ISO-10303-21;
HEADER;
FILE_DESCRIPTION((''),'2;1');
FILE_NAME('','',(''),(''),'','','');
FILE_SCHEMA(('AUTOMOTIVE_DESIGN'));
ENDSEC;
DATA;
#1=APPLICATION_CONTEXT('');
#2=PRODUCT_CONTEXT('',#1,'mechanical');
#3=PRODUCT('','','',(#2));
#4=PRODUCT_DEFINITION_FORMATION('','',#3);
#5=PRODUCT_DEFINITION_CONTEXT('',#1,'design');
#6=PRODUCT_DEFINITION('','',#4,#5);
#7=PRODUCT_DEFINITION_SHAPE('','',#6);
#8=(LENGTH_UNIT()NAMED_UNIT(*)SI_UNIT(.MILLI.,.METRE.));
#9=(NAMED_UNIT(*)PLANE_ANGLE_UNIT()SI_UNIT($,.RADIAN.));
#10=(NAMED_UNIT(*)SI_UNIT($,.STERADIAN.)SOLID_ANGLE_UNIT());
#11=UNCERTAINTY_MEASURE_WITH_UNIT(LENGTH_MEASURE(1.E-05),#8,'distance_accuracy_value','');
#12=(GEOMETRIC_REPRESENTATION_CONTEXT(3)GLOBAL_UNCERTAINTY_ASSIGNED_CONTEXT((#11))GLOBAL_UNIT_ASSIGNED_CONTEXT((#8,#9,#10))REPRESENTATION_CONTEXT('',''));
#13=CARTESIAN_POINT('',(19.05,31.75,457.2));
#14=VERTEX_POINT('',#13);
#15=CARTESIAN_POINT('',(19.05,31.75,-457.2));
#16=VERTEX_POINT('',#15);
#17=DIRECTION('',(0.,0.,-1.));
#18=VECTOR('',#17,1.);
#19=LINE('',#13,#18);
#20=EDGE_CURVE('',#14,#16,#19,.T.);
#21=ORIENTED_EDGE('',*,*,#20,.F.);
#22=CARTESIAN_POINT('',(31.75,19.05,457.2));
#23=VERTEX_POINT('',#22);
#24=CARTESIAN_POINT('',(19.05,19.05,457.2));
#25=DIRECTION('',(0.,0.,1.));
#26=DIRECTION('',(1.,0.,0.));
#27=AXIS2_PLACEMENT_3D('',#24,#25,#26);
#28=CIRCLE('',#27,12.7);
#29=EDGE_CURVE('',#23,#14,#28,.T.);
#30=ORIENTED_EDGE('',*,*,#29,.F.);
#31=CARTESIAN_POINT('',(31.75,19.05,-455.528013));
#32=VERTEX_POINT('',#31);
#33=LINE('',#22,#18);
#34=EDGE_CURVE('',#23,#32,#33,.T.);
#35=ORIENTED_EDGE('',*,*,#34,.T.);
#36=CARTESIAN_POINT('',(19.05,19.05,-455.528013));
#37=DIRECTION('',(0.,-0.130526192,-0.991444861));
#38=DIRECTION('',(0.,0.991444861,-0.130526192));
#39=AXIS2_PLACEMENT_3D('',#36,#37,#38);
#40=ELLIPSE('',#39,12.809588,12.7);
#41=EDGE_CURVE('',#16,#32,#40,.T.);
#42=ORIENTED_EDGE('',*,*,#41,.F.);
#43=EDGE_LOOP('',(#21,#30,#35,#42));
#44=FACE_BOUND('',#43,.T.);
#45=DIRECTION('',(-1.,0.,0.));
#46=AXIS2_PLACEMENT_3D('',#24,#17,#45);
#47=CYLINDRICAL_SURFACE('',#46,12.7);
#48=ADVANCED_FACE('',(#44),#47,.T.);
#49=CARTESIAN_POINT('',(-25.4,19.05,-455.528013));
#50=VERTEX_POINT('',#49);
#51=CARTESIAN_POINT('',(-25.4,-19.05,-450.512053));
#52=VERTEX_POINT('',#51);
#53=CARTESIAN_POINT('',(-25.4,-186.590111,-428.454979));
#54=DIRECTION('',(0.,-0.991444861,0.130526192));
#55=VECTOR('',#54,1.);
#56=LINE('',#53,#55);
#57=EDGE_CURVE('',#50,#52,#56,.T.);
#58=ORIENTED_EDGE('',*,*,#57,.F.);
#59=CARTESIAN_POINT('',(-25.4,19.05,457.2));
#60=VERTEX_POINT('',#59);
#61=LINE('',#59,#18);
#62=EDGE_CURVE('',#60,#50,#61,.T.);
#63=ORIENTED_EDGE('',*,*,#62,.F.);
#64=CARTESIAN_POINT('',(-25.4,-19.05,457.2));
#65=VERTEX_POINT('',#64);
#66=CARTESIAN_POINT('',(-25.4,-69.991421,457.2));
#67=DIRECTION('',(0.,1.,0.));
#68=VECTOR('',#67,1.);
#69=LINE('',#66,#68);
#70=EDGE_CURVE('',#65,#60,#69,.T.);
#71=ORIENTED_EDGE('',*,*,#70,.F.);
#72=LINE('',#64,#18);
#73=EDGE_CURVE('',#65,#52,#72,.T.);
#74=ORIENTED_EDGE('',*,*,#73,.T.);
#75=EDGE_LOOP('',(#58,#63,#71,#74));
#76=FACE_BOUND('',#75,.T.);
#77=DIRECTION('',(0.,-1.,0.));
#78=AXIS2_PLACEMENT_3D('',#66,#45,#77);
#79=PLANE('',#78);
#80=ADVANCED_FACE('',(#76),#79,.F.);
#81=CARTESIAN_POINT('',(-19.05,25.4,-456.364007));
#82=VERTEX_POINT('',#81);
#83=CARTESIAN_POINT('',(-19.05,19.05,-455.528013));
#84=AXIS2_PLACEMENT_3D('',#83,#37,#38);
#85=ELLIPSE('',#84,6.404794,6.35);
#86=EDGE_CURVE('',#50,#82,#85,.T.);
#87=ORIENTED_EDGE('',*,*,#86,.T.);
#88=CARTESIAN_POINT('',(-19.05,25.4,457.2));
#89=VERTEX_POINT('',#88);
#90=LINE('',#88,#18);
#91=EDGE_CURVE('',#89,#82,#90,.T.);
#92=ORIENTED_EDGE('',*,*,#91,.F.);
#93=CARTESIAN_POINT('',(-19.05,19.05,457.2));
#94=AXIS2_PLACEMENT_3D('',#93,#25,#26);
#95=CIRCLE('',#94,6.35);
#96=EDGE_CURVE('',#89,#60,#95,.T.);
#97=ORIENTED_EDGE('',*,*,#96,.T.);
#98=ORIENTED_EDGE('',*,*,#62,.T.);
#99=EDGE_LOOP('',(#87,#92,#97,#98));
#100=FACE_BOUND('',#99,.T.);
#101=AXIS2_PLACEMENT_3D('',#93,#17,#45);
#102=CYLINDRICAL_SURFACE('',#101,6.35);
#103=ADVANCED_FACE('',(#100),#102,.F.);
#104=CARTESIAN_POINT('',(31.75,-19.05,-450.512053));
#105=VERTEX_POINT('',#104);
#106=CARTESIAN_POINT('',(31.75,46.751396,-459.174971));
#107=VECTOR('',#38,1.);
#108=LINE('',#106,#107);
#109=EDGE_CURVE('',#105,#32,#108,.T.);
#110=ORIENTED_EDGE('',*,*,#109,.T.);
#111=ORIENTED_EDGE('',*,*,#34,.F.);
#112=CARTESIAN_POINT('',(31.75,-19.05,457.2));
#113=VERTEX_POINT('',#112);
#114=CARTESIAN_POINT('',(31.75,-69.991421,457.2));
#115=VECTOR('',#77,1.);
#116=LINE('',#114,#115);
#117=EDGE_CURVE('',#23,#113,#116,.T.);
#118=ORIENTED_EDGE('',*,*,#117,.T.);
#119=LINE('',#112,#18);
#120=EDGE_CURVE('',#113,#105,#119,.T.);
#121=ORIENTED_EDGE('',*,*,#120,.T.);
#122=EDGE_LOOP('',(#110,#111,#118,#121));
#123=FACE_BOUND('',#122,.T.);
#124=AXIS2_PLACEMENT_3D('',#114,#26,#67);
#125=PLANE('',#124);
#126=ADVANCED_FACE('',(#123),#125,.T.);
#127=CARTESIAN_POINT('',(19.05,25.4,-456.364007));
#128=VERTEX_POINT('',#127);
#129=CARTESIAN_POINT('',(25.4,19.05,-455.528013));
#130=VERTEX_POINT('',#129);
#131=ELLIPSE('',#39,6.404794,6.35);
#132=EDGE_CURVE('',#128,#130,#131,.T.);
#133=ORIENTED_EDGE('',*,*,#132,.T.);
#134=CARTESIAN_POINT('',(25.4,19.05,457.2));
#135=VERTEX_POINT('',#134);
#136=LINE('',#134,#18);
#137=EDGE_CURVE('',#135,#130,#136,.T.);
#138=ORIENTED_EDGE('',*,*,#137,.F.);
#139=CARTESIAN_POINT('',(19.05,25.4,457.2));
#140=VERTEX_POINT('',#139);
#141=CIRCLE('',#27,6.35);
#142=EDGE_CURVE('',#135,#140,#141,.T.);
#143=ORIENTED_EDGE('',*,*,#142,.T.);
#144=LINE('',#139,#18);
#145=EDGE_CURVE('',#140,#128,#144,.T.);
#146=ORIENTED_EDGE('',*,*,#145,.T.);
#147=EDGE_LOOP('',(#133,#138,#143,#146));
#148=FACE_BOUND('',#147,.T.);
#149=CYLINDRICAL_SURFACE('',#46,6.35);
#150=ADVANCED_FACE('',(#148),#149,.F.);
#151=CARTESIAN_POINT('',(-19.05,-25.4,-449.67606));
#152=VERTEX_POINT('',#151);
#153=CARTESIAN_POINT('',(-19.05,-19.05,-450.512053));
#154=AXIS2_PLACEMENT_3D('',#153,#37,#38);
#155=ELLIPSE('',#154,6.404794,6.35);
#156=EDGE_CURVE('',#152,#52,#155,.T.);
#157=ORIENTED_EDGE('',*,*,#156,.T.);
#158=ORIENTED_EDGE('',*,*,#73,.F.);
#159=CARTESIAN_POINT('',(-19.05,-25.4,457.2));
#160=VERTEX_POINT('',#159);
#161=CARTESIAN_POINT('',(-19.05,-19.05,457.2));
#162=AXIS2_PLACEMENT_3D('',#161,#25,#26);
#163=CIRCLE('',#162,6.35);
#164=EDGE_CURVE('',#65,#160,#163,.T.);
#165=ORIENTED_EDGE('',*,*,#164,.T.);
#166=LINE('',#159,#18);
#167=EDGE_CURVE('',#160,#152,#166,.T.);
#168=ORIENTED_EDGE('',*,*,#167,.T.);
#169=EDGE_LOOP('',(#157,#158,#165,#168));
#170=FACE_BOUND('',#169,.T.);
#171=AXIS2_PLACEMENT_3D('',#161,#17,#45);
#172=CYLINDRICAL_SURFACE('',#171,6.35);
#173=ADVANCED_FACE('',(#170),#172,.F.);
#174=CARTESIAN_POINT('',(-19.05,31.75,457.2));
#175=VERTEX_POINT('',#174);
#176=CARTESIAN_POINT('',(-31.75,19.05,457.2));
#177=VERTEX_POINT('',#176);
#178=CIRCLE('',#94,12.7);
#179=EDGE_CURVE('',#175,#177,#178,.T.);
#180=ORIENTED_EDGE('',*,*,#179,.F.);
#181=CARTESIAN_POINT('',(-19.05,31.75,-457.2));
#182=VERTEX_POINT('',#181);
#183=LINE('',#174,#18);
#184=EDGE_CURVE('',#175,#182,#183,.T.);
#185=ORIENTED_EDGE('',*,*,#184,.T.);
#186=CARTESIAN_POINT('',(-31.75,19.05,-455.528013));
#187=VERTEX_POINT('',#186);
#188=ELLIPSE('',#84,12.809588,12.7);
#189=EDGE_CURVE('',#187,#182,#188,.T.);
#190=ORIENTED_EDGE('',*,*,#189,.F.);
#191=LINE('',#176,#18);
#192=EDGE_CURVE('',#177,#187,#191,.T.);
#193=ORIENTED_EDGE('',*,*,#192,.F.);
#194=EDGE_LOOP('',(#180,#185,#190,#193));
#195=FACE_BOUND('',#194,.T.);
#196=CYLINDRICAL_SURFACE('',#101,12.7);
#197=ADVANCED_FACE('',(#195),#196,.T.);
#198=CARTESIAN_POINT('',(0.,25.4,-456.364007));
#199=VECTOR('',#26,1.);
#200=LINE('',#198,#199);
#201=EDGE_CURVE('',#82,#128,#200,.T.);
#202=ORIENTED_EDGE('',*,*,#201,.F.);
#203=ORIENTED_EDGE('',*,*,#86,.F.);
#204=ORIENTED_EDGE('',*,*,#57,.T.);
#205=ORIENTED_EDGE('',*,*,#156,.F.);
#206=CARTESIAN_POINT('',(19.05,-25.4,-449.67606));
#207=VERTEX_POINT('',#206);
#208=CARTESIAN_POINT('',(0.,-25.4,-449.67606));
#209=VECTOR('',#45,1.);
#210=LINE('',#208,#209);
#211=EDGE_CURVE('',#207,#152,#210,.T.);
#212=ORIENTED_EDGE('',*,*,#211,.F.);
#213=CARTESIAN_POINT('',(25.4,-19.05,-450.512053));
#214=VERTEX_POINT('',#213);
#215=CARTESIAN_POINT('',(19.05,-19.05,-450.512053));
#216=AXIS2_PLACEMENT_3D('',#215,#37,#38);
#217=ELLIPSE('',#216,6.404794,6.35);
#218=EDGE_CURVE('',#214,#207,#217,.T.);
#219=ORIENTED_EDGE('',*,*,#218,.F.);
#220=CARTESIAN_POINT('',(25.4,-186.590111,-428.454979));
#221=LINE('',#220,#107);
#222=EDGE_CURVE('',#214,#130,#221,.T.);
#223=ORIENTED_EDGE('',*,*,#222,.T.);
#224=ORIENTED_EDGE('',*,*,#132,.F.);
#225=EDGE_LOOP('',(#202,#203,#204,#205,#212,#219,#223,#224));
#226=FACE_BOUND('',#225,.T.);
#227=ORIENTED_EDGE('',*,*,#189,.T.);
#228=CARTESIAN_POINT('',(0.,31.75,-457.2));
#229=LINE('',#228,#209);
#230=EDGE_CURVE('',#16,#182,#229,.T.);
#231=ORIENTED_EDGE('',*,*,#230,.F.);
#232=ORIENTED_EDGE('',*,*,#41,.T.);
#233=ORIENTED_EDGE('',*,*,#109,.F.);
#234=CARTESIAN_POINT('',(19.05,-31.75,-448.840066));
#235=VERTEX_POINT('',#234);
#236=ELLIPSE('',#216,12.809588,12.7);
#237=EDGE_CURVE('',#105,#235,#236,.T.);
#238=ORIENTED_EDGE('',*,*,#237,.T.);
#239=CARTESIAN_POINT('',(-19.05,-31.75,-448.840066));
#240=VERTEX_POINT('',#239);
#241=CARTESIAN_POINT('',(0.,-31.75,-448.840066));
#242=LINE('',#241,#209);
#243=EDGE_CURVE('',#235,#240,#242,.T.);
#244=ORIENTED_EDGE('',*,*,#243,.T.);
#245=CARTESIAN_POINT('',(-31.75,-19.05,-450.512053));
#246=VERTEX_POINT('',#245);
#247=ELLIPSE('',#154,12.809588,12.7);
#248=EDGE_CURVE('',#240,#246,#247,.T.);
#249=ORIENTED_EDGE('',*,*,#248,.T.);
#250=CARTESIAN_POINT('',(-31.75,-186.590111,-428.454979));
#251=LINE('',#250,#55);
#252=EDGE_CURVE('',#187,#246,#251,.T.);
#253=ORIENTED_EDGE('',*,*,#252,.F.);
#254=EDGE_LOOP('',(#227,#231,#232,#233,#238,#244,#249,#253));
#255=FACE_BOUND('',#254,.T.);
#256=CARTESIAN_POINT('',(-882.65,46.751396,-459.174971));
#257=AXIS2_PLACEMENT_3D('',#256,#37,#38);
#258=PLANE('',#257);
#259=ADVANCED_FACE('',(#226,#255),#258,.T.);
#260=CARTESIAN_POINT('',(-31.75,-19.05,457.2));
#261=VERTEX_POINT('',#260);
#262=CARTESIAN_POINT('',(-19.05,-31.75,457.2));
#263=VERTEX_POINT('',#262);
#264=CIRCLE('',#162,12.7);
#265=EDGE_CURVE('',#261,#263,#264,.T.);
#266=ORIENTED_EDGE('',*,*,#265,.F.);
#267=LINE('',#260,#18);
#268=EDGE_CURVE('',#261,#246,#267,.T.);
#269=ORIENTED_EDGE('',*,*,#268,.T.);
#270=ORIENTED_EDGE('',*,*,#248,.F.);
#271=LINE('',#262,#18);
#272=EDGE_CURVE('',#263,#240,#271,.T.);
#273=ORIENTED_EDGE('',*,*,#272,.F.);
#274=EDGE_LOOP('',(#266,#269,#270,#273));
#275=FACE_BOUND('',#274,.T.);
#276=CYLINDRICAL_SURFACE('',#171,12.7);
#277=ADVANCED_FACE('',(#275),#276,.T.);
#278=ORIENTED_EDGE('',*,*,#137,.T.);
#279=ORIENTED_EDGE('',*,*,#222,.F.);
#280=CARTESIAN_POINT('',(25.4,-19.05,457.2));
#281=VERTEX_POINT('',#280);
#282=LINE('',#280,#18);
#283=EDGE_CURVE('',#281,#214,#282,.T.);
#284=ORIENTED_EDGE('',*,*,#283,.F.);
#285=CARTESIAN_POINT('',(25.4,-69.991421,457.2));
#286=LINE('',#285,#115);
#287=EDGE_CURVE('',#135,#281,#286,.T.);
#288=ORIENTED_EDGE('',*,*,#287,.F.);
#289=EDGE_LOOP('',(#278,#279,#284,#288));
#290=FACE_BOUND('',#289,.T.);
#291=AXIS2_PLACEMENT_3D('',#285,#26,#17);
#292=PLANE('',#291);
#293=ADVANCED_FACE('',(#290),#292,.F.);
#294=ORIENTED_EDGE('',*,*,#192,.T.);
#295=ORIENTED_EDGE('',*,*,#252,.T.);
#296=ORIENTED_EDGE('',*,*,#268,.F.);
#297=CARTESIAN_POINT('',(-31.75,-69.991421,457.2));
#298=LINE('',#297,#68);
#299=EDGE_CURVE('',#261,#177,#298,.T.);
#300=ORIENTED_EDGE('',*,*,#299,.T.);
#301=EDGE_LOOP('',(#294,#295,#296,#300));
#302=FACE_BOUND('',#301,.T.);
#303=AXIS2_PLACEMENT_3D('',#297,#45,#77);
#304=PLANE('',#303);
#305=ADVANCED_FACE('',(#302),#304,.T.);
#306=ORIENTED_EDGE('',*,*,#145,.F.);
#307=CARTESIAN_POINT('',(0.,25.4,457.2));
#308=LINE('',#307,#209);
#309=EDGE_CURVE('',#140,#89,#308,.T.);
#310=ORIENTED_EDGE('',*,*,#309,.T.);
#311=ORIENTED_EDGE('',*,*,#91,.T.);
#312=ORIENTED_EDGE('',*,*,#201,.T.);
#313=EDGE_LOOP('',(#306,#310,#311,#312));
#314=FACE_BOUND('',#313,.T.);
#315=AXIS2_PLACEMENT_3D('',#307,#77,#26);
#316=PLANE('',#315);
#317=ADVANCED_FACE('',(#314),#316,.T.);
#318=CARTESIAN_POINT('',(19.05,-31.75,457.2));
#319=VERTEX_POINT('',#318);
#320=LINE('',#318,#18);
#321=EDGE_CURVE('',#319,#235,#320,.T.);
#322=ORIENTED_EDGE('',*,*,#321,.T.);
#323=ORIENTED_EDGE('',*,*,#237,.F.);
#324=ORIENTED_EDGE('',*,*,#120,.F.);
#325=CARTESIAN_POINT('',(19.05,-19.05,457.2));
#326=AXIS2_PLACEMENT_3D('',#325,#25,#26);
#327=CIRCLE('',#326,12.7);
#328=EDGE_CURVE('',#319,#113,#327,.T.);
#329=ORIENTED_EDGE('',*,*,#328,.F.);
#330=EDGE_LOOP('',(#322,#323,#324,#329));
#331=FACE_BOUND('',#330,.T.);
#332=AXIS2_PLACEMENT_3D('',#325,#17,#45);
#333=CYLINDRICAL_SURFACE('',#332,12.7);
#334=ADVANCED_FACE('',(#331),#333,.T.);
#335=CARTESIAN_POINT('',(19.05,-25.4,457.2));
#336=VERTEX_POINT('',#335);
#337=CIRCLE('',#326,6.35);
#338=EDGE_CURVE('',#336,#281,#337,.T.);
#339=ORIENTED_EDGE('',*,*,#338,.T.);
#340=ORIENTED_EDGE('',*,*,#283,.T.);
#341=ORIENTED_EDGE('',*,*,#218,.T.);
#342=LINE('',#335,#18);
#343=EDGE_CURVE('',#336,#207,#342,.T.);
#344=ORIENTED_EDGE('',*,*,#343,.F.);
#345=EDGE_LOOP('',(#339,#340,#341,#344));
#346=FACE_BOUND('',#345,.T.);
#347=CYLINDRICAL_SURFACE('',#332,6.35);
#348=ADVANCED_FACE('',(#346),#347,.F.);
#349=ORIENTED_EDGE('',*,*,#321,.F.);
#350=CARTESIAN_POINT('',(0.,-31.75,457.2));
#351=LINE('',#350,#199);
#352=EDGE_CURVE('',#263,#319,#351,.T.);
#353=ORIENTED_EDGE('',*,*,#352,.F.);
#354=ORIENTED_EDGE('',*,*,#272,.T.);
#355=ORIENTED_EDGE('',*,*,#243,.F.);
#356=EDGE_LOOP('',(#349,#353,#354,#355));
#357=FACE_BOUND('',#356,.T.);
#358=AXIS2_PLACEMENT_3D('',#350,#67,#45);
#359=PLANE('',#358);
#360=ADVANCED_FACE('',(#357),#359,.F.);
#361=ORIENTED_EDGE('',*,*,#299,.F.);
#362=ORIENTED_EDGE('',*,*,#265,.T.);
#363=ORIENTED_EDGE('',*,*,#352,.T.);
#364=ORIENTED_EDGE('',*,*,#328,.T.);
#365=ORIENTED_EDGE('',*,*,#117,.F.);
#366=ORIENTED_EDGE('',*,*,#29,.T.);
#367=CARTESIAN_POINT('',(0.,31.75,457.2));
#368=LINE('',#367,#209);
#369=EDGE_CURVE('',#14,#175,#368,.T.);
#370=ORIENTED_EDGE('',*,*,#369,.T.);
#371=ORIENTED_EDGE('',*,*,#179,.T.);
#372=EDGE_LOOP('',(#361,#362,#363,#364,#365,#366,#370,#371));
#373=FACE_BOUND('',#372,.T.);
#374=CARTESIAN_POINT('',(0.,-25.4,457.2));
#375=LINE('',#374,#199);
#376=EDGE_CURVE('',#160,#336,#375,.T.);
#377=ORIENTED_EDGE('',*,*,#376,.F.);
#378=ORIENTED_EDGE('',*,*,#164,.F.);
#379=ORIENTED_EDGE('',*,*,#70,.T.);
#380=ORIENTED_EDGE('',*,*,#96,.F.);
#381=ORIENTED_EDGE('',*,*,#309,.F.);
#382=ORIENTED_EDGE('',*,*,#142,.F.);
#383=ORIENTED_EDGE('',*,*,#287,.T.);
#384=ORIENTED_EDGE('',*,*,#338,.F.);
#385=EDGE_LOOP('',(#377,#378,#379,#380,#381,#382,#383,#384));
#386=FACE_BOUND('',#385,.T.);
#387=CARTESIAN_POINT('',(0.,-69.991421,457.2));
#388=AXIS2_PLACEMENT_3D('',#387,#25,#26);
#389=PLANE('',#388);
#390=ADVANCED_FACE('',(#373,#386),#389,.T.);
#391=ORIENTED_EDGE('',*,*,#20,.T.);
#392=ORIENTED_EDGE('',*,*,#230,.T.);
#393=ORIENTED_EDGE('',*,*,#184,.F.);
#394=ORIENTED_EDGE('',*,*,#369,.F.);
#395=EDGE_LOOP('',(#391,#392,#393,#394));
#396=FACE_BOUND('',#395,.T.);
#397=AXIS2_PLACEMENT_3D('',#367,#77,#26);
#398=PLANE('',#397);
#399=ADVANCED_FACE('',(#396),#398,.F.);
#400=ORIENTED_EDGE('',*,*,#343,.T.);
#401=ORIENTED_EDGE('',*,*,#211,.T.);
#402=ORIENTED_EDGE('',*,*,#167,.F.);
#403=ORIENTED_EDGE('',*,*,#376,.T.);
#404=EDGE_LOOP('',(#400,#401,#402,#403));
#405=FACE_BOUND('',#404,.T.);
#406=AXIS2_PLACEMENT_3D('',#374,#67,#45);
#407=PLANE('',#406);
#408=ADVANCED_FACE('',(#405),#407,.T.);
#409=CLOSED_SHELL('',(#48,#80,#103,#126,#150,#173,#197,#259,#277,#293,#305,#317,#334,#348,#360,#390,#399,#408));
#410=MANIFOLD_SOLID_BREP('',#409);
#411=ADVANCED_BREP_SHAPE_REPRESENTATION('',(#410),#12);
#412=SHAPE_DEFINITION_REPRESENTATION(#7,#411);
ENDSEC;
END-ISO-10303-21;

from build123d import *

# Parameters (mm, degrees)
BOSS_EXTRUDE1_DEPTH = 457.2
CUT_EXTRUDE1_DEPTH  = 914.4


with BuildPart() as part:
    # Sketch1 → Boss-Extrude1 (new body, symmetric)
    with BuildSketch(Plane.XY):
        with BuildLine():
            Line((19.05, 31.75), (-19.05, 31.75))
            ThreePointArc((-19.05, 31.75), (-28.030256121, 28.030256121), (-31.75, 19.05))
            Line((-31.75, 19.05), (-31.75, -19.05))
            ThreePointArc((-31.75, -19.05), (-28.030256121, -28.030256121), (-19.05, -31.75))
            Line((-19.05, -31.75), (19.05, -31.75))
            ThreePointArc((19.05, -31.75), (28.030256121, -28.030256121), (31.75, -19.05))
            Line((31.75, -19.05), (31.75, 19.05))
            ThreePointArc((31.75, 19.05), (28.030256121, 28.030256121), (19.05, 31.75))
        make_face()
        with BuildLine():
            ThreePointArc((-25.4, -19.05), (-23.540128061, -23.540128061), (-19.05, -25.4))
            Line((-19.05, -25.4), (19.05, -25.4))
            ThreePointArc((19.05, -25.4), (23.540128061, -23.540128061), (25.4, -19.05))
            Line((25.4, -19.05), (25.4, 19.05))
            ThreePointArc((25.4, 19.05), (23.540128061, 23.540128061), (19.05, 25.4))
            Line((19.05, 25.4), (-19.05, 25.4))
            ThreePointArc((-19.05, 25.4), (-23.540128061, 23.540128061), (-25.4, 19.05))
            Line((-25.4, 19.05), (-25.4, -19.05))
        make_face(mode=Mode.SUBTRACT)
    extrude(amount=BOSS_EXTRUDE1_DEPTH, both=True)

    # Sketch2 → Cut-Extrude1 (cut)
    with BuildSketch(Plane(origin=(31.75, 0, 0), x_dir=(0, 0, -1), z_dir=(1, 0, 0))):
        Polygon((457.2, 31.75), (457.2, -68.178184421), (444.044204942, -68.178184421), align=None)
    extrude(amount=-CUT_EXTRUDE1_DEPTH, mode=Mode.SUBTRACT)


solid = part.part
